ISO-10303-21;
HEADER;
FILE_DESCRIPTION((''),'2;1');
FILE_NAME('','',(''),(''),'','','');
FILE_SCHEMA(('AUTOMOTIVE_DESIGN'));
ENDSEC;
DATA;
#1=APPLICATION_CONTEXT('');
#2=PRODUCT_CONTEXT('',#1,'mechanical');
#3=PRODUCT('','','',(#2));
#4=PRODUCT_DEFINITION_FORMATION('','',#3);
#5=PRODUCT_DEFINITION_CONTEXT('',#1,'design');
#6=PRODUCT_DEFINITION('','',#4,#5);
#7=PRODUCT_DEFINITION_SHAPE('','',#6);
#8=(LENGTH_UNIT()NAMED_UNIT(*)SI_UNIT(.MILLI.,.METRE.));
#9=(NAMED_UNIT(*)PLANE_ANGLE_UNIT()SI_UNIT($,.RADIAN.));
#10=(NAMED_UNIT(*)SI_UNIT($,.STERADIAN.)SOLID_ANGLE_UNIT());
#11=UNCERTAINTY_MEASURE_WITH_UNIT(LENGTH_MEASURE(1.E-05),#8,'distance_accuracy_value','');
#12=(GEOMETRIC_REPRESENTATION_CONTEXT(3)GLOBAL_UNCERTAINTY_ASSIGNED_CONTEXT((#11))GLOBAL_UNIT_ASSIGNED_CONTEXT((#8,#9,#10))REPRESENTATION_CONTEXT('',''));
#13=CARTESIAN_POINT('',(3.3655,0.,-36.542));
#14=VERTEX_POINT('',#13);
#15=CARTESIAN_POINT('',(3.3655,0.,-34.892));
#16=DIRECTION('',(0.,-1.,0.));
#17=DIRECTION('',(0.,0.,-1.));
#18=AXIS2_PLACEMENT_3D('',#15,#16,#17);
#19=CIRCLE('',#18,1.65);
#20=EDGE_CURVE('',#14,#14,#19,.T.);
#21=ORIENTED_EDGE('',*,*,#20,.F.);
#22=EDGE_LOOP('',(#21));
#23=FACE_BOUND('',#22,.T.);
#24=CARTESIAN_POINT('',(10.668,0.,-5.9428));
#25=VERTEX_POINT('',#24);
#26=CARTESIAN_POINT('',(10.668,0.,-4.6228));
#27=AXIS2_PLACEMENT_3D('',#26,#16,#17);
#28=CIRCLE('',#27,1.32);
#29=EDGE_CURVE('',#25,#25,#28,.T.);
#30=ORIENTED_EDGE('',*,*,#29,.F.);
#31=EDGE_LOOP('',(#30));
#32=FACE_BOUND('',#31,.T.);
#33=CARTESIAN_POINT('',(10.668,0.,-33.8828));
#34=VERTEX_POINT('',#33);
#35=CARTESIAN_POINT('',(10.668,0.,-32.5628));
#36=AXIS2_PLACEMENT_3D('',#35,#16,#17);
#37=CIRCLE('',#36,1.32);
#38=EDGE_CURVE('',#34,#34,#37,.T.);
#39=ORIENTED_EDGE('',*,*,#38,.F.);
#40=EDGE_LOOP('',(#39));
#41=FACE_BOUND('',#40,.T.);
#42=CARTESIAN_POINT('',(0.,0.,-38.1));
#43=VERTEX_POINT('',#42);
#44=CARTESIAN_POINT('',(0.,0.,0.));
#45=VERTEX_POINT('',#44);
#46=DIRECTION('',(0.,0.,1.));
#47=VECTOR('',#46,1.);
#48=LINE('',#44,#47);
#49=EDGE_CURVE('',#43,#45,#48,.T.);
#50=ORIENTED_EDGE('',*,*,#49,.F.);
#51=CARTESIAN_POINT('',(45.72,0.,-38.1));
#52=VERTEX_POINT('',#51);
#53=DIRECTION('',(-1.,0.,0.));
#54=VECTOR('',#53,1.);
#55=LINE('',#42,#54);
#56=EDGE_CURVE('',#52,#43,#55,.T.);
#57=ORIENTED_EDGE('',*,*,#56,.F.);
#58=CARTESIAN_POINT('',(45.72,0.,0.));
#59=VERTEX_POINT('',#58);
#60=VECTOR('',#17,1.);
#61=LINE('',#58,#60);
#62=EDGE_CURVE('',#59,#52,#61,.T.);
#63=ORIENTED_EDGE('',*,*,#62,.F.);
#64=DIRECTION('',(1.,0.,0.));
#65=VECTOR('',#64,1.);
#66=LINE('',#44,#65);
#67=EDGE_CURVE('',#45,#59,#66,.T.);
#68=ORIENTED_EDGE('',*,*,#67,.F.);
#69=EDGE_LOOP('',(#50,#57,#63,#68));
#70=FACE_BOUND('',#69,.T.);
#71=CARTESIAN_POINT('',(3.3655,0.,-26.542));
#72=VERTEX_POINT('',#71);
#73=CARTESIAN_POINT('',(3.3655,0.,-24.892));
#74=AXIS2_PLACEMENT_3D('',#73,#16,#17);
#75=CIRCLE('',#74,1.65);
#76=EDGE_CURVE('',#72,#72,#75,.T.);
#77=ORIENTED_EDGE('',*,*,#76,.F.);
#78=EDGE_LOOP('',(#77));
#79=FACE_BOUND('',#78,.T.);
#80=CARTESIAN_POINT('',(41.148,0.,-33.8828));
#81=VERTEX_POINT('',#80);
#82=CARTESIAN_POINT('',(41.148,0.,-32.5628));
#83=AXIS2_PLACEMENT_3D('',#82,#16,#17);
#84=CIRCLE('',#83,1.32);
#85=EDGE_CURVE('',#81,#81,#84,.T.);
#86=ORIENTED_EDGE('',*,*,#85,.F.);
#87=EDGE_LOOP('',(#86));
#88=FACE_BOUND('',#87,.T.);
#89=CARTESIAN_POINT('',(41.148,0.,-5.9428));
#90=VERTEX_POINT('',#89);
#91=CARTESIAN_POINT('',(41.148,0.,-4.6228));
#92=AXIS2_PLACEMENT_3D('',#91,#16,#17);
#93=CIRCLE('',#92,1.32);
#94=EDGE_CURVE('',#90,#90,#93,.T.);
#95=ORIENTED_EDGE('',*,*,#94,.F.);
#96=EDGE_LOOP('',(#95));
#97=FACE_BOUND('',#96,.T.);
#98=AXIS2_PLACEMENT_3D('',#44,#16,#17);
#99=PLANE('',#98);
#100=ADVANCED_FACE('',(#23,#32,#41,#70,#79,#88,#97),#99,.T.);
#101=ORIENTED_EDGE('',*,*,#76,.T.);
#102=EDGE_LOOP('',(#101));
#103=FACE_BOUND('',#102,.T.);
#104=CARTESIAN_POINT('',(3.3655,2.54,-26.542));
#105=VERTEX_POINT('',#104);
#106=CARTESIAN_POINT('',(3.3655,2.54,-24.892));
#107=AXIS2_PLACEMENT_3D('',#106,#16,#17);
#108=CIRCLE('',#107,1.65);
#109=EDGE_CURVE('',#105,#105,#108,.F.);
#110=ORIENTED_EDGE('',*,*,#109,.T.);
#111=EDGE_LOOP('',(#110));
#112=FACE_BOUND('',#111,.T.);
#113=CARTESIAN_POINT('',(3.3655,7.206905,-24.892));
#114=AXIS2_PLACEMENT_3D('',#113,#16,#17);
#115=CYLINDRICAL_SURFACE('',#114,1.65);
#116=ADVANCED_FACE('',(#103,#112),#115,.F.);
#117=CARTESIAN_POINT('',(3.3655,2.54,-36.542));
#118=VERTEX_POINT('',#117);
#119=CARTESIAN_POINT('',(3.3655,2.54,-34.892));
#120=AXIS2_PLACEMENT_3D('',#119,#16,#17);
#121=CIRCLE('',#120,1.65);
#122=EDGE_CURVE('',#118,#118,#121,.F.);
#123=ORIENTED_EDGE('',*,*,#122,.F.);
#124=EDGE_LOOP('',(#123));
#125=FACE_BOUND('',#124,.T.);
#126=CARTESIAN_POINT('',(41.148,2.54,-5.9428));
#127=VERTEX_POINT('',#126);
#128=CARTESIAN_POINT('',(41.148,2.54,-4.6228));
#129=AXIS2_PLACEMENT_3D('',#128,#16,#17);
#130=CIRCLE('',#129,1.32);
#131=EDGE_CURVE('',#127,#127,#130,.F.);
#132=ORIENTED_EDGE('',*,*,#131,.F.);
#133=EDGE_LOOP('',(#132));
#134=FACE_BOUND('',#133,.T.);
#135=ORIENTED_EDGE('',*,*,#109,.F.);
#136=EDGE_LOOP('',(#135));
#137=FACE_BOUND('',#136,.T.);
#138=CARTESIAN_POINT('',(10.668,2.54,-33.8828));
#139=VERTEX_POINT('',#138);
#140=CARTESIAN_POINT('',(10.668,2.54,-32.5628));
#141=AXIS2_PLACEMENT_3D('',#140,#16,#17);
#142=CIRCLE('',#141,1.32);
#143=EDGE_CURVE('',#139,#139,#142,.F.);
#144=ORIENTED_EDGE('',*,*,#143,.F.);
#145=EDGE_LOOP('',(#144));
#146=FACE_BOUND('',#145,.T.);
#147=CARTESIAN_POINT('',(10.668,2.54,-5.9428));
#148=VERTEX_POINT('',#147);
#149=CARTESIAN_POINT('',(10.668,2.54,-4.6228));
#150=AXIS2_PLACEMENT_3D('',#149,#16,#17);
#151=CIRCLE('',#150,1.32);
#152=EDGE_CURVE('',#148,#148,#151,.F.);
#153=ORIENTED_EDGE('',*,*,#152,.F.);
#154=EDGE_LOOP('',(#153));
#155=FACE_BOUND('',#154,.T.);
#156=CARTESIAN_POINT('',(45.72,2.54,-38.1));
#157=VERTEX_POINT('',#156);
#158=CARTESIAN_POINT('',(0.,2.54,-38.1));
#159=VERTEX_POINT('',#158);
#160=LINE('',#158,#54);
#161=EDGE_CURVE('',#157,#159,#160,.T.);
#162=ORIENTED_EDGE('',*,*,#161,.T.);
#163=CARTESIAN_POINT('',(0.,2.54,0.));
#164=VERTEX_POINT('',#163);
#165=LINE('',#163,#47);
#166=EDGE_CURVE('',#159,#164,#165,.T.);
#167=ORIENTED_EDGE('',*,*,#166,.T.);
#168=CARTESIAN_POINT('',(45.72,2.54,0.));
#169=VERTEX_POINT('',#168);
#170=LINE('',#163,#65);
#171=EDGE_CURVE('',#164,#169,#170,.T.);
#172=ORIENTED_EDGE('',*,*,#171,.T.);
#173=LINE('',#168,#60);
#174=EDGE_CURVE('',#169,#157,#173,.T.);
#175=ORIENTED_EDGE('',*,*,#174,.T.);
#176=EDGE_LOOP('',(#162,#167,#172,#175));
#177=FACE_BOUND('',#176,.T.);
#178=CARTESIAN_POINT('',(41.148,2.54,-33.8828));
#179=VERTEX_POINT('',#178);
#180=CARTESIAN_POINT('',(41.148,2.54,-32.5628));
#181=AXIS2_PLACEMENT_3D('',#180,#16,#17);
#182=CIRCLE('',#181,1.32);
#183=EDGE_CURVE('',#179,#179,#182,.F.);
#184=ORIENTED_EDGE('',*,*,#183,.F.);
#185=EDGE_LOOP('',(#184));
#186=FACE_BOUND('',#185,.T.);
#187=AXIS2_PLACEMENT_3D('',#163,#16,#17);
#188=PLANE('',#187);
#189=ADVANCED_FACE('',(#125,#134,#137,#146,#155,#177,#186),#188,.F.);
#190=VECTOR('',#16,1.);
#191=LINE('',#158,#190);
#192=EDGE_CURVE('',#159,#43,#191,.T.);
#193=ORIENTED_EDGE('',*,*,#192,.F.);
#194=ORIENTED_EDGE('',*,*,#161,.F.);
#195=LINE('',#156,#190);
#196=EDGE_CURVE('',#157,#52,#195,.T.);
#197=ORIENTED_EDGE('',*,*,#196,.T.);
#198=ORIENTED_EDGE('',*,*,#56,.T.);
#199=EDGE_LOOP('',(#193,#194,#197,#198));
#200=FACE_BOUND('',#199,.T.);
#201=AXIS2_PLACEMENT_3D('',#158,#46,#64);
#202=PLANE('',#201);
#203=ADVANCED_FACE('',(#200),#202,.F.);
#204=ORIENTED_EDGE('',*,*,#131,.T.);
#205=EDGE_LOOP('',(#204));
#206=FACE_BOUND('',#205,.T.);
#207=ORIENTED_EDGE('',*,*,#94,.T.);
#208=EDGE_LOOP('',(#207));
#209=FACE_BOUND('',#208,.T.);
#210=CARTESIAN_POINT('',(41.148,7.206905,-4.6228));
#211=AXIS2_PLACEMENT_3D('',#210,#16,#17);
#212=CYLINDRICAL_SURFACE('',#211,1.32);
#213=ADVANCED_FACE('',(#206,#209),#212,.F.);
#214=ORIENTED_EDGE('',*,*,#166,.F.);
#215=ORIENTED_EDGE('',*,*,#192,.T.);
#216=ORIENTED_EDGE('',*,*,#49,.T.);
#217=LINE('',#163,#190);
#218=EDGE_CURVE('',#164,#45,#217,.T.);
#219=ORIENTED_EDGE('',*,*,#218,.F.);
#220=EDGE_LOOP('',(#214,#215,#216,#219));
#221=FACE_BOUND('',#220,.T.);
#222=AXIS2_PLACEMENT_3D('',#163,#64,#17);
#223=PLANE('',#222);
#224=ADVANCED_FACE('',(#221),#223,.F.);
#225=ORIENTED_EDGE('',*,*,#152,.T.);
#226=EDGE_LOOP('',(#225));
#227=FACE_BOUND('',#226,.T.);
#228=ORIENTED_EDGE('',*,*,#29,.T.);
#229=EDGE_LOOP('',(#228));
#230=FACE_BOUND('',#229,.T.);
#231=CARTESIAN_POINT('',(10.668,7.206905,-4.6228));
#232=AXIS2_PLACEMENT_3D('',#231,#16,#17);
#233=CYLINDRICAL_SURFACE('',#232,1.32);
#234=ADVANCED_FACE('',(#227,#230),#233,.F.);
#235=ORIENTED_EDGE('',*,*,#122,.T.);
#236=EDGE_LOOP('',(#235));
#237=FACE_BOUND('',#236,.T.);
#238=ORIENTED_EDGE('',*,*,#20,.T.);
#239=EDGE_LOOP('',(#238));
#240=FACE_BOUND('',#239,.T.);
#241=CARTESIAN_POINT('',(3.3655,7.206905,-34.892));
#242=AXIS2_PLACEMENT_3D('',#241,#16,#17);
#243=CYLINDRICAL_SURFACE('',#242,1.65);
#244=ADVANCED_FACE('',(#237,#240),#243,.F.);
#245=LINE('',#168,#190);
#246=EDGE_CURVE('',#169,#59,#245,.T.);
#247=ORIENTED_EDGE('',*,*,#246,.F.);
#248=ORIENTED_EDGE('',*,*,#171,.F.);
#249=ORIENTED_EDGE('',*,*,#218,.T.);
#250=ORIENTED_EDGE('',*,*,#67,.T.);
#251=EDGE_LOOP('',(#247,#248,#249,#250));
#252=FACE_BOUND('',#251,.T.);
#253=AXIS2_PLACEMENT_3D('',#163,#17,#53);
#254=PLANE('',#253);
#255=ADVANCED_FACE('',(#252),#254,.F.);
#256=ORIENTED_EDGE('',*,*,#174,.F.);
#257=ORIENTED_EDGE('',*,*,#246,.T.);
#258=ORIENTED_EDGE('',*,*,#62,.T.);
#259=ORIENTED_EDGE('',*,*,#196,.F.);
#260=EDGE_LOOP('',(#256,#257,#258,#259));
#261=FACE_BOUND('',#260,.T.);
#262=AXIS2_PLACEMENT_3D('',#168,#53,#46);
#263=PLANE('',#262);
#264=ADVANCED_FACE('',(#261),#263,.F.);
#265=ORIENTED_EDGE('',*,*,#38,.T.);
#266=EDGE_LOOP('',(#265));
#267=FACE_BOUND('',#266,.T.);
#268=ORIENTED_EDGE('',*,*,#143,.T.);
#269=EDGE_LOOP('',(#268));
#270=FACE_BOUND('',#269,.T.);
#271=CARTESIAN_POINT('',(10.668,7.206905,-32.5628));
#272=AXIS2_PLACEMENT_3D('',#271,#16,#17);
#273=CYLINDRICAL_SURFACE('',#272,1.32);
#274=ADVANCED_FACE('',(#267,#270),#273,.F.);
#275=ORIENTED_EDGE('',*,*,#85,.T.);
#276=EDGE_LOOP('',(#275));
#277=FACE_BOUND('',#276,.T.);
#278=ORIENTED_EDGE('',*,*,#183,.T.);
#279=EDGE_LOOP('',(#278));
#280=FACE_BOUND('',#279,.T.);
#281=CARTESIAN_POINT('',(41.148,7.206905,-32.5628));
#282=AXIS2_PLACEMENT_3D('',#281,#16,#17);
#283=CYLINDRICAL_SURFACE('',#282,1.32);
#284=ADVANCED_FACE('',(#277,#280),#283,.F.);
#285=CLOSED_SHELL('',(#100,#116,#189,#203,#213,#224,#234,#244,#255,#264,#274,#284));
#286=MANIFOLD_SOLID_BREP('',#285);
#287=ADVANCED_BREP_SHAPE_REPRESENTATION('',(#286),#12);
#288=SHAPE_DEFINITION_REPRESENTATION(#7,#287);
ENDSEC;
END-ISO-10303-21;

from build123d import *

# Parameters (mm, degrees)
SKETCH4_W           = 45.72
SKETCH4_H           = 38.1
BOSS_EXTRUDE1_DEPTH = 2.54
SKETCH5_R           = 1.65
SKETCH5_R_2         = 1.32
CUT_EXTRUDE1_DEPTH  = 2.54


with BuildPart() as part:
    # Sketch4 → Boss-Extrude1 (new body)
    with BuildSketch(Plane(origin=(0, 0, 0), x_dir=(1, 0, 0), z_dir=(0, 1, 0))):
        with Locations((22.86, 19.05)):
            Rectangle(SKETCH4_W, SKETCH4_H)
    extrude(amount=BOSS_EXTRUDE1_DEPTH)

    # Sketch5 → Cut-Extrude1 (cut)
    with BuildSketch(Plane.XZ):
        with Locations((3.3655, -24.892)):
            Circle(SKETCH5_R)
        with Locations((3.3655, -34.892)):
            Circle(SKETCH5_R)
        with Locations((10.668, -4.6228)):
            Circle(SKETCH5_R_2)
        with Locations((10.668, -32.5628)):
            Circle(SKETCH5_R_2)
        with Locations((41.148, -4.6228)):
            Circle(SKETCH5_R_2)
        with Locations((41.148, -32.5628)):
            Circle(SKETCH5_R_2)
    extrude(amount=-CUT_EXTRUDE1_DEPTH, mode=Mode.SUBTRACT)


solid = part.part
